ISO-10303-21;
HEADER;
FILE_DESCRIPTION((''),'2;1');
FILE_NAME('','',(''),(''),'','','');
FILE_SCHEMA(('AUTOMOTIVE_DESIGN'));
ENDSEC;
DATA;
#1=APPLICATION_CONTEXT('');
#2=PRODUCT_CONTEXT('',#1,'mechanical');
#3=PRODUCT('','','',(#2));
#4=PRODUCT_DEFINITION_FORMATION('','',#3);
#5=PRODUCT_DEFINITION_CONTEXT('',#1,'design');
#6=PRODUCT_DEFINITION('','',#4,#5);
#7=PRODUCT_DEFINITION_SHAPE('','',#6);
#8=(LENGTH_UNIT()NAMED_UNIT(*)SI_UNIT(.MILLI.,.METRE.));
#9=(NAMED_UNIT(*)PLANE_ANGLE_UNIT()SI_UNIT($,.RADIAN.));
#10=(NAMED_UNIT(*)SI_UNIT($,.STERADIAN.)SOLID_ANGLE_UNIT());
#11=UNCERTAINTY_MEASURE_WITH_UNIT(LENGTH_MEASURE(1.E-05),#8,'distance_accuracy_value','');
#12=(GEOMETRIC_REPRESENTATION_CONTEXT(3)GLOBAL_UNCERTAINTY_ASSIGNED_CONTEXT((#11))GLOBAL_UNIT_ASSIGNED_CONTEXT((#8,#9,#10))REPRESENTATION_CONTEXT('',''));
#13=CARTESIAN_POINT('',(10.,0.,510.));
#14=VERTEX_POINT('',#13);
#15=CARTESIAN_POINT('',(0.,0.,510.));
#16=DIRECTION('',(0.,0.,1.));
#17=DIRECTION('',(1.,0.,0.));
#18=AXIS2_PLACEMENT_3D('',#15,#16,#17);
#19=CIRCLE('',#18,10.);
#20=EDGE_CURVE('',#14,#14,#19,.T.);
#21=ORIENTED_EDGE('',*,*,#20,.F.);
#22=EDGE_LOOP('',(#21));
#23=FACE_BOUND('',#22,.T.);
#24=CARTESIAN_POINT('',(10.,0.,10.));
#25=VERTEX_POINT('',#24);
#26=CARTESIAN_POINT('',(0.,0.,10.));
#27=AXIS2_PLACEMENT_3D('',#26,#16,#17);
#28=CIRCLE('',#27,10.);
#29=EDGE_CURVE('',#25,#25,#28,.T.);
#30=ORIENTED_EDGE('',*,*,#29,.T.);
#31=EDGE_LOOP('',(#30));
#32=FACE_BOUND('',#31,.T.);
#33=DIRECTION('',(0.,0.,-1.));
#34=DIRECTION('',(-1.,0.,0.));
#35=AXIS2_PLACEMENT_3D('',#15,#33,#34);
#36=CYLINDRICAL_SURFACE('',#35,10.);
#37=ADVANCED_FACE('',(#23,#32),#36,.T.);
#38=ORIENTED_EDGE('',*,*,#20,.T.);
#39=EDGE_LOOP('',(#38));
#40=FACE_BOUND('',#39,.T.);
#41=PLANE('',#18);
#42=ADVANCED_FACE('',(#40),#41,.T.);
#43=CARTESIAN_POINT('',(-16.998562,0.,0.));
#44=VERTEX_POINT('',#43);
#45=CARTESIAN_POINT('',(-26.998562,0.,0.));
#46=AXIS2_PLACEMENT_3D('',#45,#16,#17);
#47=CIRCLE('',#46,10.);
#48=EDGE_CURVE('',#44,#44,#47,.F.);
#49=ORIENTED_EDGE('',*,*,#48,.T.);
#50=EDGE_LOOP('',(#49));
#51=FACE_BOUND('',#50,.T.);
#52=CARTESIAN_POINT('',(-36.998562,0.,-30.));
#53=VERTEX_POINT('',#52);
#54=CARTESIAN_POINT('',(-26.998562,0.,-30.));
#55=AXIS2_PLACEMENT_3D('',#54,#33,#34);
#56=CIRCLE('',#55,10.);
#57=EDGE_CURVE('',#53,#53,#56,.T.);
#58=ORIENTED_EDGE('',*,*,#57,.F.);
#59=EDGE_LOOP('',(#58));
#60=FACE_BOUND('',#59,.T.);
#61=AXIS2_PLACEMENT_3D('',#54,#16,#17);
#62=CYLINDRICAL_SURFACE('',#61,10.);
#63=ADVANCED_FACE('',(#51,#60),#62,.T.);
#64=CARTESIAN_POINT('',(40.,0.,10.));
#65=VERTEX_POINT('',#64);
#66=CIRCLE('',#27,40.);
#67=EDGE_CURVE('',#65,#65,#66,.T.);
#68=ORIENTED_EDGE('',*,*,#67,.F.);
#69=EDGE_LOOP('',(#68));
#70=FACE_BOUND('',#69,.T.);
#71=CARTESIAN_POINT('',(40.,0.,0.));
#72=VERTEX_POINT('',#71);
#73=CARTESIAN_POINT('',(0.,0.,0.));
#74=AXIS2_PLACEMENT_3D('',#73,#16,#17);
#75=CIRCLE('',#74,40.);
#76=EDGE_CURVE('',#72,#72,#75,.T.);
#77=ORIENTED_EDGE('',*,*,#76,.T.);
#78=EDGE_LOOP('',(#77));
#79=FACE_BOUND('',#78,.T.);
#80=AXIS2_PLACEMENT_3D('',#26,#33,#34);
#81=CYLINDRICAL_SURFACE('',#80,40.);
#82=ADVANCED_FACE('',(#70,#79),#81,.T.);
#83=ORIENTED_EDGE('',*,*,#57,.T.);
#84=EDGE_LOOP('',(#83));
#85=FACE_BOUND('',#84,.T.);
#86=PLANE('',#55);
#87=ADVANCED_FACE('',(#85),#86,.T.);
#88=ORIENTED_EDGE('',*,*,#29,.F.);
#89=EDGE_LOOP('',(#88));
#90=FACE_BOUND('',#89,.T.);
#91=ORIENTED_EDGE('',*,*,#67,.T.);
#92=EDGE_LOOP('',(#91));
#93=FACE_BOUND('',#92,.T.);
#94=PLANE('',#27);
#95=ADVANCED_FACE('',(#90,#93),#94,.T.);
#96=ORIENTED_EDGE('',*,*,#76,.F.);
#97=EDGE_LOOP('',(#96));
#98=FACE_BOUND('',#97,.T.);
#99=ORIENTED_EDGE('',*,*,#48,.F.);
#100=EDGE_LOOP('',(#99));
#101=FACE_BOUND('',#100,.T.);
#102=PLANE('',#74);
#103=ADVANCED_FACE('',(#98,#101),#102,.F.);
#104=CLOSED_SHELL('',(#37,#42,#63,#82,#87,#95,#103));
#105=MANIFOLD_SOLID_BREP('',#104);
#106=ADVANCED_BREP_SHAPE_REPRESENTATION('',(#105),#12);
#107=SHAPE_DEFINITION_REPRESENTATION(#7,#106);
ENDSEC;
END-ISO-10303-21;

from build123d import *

# Parameters (mm, degrees)
SKETCH1_R           = 40
BOSS_EXTRUDE1_DEPTH = 10
SKETCH2_R           = 10
BOSS_EXTRUDE2_DEPTH = 500
SKETCH3_R           = 10
BOSS_EXTRUDE3_DEPTH = 30


with BuildPart() as part:
    # Sketch1 → Boss-Extrude1 (new body)
    with BuildSketch(Plane.XY):
        Circle(SKETCH1_R)
    extrude(amount=BOSS_EXTRUDE1_DEPTH)

    # Sketch2 → Boss-Extrude2 (add)
    with BuildSketch(Plane.XY.offset(10)):
        Circle(SKETCH2_R)
    extrude(amount=BOSS_EXTRUDE2_DEPTH)

    # Sketch3 → Boss-Extrude3 (add)
    with BuildSketch(Plane(origin=(0, 0, 0), x_dir=(-1, 0, 0), z_dir=(0, 0, -1))):
        with Locations((26.998561916, 0)):
            Circle(SKETCH3_R)
    extrude(amount=BOSS_EXTRUDE3_DEPTH)


solid = part.part
